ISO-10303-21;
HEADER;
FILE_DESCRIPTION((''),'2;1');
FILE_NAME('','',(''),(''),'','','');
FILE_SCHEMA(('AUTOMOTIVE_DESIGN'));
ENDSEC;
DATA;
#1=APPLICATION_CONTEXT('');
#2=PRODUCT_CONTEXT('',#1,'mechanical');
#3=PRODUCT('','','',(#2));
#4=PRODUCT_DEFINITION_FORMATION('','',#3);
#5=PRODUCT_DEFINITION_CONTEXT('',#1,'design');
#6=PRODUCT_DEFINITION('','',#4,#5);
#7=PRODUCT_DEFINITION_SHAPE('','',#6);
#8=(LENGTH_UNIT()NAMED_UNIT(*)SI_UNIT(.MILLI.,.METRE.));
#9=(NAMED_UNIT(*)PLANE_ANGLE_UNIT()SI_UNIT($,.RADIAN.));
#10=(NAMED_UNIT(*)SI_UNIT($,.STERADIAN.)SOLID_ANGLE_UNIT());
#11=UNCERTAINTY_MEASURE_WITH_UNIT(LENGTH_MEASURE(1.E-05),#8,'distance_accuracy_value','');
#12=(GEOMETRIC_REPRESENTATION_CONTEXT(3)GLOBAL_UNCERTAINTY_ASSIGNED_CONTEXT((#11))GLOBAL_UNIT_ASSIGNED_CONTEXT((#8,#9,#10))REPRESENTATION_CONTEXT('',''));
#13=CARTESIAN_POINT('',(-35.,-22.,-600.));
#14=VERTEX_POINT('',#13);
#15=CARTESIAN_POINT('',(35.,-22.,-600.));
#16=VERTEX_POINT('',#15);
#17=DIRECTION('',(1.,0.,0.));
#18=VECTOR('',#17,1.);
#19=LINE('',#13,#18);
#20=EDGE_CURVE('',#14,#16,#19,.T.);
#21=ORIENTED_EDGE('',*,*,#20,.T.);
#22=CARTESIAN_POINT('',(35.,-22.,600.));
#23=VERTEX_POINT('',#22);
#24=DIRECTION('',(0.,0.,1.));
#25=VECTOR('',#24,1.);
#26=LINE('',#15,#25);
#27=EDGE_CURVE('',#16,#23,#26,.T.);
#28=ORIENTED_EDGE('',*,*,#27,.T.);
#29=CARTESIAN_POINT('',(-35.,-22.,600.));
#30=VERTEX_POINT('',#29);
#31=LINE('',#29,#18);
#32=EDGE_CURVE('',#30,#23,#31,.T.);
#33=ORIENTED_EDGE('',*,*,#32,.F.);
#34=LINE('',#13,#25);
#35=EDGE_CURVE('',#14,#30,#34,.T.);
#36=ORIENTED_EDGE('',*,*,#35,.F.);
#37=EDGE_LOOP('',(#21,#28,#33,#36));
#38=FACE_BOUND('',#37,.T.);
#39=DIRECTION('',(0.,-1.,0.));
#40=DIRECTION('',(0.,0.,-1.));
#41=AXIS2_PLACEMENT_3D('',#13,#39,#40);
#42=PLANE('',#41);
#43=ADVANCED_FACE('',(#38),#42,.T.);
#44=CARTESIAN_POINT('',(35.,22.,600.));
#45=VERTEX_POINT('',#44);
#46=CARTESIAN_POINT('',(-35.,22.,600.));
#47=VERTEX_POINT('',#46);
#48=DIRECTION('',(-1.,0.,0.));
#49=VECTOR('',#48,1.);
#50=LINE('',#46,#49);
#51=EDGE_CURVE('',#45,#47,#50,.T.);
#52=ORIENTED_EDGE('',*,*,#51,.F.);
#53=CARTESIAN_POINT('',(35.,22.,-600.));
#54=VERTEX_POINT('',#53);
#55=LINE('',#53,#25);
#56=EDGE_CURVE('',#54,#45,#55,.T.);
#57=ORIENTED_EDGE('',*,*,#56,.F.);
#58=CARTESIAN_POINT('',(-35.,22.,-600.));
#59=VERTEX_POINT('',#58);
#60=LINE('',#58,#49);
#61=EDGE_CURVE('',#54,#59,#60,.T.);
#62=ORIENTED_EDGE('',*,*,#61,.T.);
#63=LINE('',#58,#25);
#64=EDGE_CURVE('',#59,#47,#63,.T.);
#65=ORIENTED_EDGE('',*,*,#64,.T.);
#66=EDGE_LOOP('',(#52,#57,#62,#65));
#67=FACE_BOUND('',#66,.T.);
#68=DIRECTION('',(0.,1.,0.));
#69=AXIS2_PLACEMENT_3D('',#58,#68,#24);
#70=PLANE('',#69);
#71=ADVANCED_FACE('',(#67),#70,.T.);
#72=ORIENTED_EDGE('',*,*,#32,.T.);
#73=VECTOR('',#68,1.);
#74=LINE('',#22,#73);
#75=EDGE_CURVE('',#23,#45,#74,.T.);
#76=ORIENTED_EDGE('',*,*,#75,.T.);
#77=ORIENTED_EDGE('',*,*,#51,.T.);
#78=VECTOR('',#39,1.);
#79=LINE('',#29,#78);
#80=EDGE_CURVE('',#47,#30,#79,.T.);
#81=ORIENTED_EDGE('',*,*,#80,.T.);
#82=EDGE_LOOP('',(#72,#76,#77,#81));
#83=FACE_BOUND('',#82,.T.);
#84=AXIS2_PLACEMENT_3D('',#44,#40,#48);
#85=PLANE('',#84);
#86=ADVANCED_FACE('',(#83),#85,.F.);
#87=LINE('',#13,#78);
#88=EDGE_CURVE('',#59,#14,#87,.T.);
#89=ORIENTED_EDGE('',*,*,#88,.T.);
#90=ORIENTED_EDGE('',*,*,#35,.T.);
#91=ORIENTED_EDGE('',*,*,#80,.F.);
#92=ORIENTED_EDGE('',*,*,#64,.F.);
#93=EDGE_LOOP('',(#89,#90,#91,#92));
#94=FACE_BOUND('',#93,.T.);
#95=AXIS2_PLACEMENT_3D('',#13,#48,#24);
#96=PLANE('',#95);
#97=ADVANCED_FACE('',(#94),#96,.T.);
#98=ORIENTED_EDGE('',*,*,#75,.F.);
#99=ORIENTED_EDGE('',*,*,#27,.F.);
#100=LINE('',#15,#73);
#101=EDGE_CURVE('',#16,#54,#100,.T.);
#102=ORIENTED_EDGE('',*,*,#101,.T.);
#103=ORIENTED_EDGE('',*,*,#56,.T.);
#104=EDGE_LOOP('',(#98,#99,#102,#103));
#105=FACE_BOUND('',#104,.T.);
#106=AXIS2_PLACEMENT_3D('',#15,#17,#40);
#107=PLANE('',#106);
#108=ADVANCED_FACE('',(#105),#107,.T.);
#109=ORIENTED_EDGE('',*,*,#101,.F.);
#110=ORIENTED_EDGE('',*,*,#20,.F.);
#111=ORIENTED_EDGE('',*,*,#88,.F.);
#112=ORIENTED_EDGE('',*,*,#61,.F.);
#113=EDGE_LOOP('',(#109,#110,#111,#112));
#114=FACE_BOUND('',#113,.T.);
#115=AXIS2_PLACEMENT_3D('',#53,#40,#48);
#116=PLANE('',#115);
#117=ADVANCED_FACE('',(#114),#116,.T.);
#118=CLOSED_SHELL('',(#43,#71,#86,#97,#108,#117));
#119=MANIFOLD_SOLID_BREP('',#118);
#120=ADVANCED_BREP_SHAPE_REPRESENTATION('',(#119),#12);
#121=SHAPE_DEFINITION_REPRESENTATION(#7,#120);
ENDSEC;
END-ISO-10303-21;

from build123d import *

# Parameters (mm, degrees)
BOSS_EXTRUDE1_DEPTH      = 600
BOSS_EXTRUDE1_DEPTH_BACK = 600
SKETCH1_W                = 70
SKETCH1_H                = 44


with BuildPart() as part:
    # Sketch1 → Boss-Extrude1 (new, two sides: drawn at the far end of the back side and taken through both)
    with BuildSketch(Plane.XY.offset(-BOSS_EXTRUDE1_DEPTH_BACK)):
        Rectangle(SKETCH1_W, SKETCH1_H)
    extrude(amount=BOSS_EXTRUDE1_DEPTH + BOSS_EXTRUDE1_DEPTH_BACK)


solid = part.part
